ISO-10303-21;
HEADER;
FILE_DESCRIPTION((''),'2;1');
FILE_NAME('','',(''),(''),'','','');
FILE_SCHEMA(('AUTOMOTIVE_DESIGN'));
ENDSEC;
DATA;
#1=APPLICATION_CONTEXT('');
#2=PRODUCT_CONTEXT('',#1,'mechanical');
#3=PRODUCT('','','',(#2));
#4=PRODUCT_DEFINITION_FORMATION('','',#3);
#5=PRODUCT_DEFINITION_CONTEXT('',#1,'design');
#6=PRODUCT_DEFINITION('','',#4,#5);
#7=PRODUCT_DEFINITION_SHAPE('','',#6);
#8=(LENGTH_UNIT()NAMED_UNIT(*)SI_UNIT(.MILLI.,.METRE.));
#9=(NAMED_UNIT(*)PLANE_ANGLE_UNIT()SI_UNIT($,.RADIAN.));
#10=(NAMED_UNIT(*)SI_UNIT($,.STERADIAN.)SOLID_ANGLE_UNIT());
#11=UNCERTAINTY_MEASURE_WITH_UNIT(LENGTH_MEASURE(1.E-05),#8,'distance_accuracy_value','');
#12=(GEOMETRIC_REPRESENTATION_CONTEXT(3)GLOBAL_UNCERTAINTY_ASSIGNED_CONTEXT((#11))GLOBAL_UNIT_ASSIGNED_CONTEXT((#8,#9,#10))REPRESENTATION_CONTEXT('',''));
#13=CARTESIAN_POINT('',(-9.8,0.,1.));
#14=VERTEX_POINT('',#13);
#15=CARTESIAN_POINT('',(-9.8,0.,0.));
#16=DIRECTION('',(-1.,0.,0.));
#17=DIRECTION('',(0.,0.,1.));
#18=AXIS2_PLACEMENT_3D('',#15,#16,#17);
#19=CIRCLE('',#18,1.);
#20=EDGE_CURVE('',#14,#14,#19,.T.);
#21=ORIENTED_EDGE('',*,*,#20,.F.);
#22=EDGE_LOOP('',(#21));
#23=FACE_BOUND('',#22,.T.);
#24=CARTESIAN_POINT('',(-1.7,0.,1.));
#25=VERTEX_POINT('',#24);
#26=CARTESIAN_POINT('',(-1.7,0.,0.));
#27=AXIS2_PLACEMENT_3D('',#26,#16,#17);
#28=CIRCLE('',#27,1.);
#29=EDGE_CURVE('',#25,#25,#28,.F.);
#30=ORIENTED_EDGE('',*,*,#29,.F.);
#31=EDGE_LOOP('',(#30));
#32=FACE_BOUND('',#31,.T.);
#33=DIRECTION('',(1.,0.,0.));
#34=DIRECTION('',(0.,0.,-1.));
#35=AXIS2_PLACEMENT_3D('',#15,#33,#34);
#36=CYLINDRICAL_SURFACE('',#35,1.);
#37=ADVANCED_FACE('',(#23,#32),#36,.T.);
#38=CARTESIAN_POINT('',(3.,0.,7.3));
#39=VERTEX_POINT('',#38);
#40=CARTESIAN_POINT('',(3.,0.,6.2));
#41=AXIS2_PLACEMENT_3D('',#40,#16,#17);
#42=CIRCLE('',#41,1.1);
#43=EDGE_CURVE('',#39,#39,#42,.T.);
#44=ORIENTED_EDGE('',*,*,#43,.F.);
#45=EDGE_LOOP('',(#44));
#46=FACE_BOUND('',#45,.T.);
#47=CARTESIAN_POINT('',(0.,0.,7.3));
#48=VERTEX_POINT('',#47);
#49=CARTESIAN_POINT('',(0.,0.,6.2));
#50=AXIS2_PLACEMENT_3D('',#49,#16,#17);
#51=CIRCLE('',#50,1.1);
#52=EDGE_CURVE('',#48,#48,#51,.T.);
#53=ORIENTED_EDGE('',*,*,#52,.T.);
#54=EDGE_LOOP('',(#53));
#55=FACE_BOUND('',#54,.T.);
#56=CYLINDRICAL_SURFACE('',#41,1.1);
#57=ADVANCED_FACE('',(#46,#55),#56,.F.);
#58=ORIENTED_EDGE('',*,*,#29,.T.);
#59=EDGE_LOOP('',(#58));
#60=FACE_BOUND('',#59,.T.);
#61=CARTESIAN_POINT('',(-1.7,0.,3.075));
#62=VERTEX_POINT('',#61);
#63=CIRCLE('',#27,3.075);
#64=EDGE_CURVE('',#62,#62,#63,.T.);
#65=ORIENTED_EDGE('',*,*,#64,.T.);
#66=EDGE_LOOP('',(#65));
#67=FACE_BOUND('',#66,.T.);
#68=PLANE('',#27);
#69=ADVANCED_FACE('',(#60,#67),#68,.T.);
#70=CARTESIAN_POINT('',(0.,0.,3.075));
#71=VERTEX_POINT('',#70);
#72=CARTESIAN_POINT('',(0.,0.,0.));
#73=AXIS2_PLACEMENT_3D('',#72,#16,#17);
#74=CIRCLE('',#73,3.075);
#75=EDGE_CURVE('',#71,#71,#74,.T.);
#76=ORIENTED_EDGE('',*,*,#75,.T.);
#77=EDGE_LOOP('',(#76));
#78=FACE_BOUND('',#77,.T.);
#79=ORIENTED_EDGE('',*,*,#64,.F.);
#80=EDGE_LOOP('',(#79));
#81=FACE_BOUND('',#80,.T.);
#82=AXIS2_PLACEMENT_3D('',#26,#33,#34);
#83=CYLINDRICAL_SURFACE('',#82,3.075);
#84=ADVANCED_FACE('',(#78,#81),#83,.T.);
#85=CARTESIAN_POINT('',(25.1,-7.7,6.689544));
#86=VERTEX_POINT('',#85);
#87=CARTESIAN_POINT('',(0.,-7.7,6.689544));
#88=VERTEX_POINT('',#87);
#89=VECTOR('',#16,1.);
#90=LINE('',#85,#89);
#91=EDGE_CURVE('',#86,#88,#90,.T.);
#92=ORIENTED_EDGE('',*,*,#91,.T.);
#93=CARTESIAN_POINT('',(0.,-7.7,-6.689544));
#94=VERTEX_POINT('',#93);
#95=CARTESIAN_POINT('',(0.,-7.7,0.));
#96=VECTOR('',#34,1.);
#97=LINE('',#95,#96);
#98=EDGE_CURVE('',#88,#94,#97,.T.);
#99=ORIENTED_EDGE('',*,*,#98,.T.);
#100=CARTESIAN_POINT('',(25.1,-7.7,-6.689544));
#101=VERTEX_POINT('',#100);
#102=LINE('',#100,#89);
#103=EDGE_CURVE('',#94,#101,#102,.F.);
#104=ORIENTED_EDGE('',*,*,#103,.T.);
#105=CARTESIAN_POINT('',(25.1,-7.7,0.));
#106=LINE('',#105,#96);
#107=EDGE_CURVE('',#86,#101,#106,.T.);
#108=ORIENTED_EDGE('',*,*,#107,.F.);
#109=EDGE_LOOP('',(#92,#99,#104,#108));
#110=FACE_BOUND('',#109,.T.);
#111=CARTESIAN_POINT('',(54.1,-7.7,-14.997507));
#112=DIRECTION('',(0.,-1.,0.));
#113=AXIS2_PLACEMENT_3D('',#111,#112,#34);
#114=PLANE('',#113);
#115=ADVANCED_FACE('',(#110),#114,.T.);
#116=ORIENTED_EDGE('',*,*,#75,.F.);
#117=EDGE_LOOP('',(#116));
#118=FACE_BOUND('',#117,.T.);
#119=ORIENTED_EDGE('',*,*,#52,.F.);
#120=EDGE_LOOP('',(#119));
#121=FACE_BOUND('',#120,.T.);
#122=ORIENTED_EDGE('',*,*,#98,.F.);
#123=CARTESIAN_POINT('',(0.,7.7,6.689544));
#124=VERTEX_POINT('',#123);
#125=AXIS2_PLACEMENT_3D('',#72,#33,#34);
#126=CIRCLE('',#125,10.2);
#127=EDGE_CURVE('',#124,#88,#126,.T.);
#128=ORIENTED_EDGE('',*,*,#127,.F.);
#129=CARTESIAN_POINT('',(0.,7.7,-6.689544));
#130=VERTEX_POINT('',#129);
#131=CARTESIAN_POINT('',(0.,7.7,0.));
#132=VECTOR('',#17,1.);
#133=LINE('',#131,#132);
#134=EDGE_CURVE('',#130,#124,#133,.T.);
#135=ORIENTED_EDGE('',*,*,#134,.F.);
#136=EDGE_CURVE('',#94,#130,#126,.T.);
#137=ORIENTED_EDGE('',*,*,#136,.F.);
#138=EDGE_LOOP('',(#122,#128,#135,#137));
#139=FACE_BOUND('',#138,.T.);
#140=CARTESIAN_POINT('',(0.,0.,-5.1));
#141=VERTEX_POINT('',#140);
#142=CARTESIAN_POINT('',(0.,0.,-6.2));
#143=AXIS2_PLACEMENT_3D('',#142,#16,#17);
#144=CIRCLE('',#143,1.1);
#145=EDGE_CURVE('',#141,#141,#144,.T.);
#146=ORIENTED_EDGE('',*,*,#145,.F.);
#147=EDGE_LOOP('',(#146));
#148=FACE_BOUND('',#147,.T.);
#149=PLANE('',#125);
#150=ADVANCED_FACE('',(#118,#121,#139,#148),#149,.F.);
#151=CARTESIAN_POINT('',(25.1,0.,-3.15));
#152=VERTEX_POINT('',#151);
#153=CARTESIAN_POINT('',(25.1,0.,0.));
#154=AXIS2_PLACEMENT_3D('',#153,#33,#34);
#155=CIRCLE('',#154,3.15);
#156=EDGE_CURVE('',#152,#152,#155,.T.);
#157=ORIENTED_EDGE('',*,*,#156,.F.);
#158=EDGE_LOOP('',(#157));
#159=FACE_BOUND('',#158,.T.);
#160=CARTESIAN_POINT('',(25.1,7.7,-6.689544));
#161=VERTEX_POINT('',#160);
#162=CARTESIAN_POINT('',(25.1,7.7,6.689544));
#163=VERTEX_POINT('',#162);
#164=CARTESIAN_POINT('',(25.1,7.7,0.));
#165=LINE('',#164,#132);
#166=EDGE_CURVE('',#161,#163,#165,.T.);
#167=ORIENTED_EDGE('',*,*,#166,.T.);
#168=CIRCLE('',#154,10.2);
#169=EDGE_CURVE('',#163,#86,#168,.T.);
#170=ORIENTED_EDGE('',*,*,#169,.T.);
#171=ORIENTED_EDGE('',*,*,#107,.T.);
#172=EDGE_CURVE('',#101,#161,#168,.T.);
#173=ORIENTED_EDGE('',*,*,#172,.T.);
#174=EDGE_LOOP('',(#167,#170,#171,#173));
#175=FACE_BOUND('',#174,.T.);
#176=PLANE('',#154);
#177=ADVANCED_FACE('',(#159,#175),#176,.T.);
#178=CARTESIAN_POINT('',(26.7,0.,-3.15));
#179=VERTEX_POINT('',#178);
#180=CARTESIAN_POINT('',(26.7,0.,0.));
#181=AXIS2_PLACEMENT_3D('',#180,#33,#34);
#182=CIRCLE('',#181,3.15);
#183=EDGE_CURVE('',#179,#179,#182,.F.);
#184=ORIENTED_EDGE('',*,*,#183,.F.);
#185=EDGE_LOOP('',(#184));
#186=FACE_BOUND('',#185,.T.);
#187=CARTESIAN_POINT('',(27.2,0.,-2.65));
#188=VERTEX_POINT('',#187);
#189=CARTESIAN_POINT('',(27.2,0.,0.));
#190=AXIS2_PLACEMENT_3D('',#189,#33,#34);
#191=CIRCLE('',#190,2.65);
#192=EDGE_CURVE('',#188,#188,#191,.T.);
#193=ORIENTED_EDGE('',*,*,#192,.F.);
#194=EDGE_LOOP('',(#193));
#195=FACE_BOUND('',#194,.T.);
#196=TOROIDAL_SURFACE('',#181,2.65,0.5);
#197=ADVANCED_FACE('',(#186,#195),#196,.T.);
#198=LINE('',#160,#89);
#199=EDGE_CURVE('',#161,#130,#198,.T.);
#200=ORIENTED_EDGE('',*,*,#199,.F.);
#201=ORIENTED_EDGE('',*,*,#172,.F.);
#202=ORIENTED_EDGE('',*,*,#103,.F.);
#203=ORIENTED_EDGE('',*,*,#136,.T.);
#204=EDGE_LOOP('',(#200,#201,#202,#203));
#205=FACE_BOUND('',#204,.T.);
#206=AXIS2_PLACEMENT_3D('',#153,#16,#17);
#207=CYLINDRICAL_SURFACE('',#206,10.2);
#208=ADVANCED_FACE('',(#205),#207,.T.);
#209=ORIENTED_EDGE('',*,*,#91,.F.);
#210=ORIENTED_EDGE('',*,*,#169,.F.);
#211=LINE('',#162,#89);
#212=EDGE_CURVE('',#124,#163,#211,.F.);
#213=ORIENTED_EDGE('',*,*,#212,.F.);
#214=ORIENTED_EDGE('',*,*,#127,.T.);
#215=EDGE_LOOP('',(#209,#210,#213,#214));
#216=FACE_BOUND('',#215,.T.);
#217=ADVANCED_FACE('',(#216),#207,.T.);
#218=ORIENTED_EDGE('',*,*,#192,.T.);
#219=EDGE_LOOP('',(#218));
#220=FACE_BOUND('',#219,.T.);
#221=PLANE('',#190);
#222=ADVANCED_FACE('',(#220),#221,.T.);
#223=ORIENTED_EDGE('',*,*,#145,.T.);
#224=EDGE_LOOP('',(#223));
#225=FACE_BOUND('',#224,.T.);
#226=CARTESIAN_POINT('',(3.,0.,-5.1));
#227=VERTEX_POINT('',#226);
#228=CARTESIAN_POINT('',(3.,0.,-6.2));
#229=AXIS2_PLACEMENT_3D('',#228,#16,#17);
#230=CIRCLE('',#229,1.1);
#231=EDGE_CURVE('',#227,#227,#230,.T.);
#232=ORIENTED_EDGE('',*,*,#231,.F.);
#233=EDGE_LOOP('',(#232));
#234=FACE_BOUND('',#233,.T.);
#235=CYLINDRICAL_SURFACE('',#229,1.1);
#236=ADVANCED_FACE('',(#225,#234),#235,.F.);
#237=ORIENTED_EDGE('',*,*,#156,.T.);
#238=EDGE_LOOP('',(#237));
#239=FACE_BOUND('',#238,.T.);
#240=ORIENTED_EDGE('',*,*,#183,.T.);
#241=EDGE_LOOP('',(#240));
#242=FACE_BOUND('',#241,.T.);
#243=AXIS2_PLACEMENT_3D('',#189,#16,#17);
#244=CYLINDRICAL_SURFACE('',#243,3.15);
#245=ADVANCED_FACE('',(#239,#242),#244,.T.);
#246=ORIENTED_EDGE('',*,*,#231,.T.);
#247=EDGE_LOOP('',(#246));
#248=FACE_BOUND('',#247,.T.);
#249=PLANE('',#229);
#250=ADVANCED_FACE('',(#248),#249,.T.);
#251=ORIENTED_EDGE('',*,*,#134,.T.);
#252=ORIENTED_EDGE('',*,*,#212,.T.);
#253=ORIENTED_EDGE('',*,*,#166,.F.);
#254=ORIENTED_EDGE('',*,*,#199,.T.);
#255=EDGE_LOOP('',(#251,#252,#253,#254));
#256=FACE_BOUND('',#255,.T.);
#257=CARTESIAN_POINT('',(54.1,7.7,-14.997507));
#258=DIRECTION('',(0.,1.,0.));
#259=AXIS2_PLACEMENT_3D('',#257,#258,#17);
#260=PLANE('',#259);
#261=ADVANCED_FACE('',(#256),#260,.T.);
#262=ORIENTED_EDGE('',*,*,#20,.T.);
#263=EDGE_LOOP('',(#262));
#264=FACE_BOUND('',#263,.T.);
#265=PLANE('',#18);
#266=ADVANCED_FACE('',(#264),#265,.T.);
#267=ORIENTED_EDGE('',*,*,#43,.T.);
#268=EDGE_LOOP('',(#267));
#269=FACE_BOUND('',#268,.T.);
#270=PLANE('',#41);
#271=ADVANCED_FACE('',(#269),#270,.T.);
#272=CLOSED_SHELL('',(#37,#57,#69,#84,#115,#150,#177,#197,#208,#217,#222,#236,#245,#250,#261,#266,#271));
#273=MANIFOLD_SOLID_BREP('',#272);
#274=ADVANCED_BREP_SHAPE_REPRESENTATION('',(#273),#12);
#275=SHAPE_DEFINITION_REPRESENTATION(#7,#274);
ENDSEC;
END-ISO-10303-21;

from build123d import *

# Parameters (mm, degrees)
SKETCH_1_R           = 10.2
EXTRUDE_1_DEPTH      = 25.1
SKETCH_2_OUTSIDE_W   = 30.048
SKETCH_2_OUTSIDE_H   = 30.048
SKETCH_2_OUTSIDE_W_2 = 29.995014986
SKETCH_2_OUTSIDE_H_2 = 15.4
CUT_EXTRUDE_1_DEPTH  = 54.1
SKETCH_3_R           = 3.15
EXTRUDE_2_DEPTH      = 2.1
FILLET_1_R           = 0.5
SKETCH_4_R           = 3.075
EXTRUDE_3_DEPTH      = 1.7
SKETCH_6_R           = 1
EXTRUDE_4_DEPTH      = 9.8
SKETCH_7_R           = 1.1
CUT_EXTRUDE_2_DEPTH  = 3


with BuildPart() as part:
    # 草图1 → 凸台-拉伸1 (new body)
    with BuildSketch(Plane(origin=(0, 0, 0), x_dir=(0, 0, -1), z_dir=(1, 0, 0))):
        Circle(SKETCH_1_R)
    extrude(amount=EXTRUDE_1_DEPTH)

    # 草图2 outside → 切除-拉伸1 (cut)
    with BuildSketch(Plane.ZY):
        Rectangle(SKETCH_2_OUTSIDE_W, SKETCH_2_OUTSIDE_H)
        Rectangle(SKETCH_2_OUTSIDE_W_2, SKETCH_2_OUTSIDE_H_2, mode=Mode.SUBTRACT)
    extrude(amount=-CUT_EXTRUDE_1_DEPTH, mode=Mode.SUBTRACT)

    # 草图3 → 凸台-拉伸2 (add)
    with BuildSketch(Plane(origin=(25.1, 0, 0), x_dir=(0, 0, -1), z_dir=(1, 0, 0))):
        Circle(SKETCH_3_R)
    extrude(amount=EXTRUDE_2_DEPTH)

    # 圆角1
    fillet_1_edges = [part.edges().sort_by_distance(p)[0] for p in [
        (27.2, 0, 3.15),
    ]]
    fillet(fillet_1_edges, radius=FILLET_1_R)

    # 草图4 → 凸台-拉伸3 (add)
    with BuildSketch(Plane.ZY):
        Circle(SKETCH_4_R)
    extrude(amount=EXTRUDE_3_DEPTH)

    # 草图6 → 凸台-拉伸4 (add)
    with BuildSketch(Plane.ZY):
        Circle(SKETCH_6_R)
    extrude(amount=EXTRUDE_4_DEPTH)

    # 草图7 → 切除-拉伸2 (cut)
    with BuildSketch(Plane.ZY):
        with Locations((6.2, 0)):
            Circle(SKETCH_7_R)
        with Locations((-6.2, 0)):
            Circle(SKETCH_7_R)
    extrude(amount=-CUT_EXTRUDE_2_DEPTH, mode=Mode.SUBTRACT)


solid = part.part
